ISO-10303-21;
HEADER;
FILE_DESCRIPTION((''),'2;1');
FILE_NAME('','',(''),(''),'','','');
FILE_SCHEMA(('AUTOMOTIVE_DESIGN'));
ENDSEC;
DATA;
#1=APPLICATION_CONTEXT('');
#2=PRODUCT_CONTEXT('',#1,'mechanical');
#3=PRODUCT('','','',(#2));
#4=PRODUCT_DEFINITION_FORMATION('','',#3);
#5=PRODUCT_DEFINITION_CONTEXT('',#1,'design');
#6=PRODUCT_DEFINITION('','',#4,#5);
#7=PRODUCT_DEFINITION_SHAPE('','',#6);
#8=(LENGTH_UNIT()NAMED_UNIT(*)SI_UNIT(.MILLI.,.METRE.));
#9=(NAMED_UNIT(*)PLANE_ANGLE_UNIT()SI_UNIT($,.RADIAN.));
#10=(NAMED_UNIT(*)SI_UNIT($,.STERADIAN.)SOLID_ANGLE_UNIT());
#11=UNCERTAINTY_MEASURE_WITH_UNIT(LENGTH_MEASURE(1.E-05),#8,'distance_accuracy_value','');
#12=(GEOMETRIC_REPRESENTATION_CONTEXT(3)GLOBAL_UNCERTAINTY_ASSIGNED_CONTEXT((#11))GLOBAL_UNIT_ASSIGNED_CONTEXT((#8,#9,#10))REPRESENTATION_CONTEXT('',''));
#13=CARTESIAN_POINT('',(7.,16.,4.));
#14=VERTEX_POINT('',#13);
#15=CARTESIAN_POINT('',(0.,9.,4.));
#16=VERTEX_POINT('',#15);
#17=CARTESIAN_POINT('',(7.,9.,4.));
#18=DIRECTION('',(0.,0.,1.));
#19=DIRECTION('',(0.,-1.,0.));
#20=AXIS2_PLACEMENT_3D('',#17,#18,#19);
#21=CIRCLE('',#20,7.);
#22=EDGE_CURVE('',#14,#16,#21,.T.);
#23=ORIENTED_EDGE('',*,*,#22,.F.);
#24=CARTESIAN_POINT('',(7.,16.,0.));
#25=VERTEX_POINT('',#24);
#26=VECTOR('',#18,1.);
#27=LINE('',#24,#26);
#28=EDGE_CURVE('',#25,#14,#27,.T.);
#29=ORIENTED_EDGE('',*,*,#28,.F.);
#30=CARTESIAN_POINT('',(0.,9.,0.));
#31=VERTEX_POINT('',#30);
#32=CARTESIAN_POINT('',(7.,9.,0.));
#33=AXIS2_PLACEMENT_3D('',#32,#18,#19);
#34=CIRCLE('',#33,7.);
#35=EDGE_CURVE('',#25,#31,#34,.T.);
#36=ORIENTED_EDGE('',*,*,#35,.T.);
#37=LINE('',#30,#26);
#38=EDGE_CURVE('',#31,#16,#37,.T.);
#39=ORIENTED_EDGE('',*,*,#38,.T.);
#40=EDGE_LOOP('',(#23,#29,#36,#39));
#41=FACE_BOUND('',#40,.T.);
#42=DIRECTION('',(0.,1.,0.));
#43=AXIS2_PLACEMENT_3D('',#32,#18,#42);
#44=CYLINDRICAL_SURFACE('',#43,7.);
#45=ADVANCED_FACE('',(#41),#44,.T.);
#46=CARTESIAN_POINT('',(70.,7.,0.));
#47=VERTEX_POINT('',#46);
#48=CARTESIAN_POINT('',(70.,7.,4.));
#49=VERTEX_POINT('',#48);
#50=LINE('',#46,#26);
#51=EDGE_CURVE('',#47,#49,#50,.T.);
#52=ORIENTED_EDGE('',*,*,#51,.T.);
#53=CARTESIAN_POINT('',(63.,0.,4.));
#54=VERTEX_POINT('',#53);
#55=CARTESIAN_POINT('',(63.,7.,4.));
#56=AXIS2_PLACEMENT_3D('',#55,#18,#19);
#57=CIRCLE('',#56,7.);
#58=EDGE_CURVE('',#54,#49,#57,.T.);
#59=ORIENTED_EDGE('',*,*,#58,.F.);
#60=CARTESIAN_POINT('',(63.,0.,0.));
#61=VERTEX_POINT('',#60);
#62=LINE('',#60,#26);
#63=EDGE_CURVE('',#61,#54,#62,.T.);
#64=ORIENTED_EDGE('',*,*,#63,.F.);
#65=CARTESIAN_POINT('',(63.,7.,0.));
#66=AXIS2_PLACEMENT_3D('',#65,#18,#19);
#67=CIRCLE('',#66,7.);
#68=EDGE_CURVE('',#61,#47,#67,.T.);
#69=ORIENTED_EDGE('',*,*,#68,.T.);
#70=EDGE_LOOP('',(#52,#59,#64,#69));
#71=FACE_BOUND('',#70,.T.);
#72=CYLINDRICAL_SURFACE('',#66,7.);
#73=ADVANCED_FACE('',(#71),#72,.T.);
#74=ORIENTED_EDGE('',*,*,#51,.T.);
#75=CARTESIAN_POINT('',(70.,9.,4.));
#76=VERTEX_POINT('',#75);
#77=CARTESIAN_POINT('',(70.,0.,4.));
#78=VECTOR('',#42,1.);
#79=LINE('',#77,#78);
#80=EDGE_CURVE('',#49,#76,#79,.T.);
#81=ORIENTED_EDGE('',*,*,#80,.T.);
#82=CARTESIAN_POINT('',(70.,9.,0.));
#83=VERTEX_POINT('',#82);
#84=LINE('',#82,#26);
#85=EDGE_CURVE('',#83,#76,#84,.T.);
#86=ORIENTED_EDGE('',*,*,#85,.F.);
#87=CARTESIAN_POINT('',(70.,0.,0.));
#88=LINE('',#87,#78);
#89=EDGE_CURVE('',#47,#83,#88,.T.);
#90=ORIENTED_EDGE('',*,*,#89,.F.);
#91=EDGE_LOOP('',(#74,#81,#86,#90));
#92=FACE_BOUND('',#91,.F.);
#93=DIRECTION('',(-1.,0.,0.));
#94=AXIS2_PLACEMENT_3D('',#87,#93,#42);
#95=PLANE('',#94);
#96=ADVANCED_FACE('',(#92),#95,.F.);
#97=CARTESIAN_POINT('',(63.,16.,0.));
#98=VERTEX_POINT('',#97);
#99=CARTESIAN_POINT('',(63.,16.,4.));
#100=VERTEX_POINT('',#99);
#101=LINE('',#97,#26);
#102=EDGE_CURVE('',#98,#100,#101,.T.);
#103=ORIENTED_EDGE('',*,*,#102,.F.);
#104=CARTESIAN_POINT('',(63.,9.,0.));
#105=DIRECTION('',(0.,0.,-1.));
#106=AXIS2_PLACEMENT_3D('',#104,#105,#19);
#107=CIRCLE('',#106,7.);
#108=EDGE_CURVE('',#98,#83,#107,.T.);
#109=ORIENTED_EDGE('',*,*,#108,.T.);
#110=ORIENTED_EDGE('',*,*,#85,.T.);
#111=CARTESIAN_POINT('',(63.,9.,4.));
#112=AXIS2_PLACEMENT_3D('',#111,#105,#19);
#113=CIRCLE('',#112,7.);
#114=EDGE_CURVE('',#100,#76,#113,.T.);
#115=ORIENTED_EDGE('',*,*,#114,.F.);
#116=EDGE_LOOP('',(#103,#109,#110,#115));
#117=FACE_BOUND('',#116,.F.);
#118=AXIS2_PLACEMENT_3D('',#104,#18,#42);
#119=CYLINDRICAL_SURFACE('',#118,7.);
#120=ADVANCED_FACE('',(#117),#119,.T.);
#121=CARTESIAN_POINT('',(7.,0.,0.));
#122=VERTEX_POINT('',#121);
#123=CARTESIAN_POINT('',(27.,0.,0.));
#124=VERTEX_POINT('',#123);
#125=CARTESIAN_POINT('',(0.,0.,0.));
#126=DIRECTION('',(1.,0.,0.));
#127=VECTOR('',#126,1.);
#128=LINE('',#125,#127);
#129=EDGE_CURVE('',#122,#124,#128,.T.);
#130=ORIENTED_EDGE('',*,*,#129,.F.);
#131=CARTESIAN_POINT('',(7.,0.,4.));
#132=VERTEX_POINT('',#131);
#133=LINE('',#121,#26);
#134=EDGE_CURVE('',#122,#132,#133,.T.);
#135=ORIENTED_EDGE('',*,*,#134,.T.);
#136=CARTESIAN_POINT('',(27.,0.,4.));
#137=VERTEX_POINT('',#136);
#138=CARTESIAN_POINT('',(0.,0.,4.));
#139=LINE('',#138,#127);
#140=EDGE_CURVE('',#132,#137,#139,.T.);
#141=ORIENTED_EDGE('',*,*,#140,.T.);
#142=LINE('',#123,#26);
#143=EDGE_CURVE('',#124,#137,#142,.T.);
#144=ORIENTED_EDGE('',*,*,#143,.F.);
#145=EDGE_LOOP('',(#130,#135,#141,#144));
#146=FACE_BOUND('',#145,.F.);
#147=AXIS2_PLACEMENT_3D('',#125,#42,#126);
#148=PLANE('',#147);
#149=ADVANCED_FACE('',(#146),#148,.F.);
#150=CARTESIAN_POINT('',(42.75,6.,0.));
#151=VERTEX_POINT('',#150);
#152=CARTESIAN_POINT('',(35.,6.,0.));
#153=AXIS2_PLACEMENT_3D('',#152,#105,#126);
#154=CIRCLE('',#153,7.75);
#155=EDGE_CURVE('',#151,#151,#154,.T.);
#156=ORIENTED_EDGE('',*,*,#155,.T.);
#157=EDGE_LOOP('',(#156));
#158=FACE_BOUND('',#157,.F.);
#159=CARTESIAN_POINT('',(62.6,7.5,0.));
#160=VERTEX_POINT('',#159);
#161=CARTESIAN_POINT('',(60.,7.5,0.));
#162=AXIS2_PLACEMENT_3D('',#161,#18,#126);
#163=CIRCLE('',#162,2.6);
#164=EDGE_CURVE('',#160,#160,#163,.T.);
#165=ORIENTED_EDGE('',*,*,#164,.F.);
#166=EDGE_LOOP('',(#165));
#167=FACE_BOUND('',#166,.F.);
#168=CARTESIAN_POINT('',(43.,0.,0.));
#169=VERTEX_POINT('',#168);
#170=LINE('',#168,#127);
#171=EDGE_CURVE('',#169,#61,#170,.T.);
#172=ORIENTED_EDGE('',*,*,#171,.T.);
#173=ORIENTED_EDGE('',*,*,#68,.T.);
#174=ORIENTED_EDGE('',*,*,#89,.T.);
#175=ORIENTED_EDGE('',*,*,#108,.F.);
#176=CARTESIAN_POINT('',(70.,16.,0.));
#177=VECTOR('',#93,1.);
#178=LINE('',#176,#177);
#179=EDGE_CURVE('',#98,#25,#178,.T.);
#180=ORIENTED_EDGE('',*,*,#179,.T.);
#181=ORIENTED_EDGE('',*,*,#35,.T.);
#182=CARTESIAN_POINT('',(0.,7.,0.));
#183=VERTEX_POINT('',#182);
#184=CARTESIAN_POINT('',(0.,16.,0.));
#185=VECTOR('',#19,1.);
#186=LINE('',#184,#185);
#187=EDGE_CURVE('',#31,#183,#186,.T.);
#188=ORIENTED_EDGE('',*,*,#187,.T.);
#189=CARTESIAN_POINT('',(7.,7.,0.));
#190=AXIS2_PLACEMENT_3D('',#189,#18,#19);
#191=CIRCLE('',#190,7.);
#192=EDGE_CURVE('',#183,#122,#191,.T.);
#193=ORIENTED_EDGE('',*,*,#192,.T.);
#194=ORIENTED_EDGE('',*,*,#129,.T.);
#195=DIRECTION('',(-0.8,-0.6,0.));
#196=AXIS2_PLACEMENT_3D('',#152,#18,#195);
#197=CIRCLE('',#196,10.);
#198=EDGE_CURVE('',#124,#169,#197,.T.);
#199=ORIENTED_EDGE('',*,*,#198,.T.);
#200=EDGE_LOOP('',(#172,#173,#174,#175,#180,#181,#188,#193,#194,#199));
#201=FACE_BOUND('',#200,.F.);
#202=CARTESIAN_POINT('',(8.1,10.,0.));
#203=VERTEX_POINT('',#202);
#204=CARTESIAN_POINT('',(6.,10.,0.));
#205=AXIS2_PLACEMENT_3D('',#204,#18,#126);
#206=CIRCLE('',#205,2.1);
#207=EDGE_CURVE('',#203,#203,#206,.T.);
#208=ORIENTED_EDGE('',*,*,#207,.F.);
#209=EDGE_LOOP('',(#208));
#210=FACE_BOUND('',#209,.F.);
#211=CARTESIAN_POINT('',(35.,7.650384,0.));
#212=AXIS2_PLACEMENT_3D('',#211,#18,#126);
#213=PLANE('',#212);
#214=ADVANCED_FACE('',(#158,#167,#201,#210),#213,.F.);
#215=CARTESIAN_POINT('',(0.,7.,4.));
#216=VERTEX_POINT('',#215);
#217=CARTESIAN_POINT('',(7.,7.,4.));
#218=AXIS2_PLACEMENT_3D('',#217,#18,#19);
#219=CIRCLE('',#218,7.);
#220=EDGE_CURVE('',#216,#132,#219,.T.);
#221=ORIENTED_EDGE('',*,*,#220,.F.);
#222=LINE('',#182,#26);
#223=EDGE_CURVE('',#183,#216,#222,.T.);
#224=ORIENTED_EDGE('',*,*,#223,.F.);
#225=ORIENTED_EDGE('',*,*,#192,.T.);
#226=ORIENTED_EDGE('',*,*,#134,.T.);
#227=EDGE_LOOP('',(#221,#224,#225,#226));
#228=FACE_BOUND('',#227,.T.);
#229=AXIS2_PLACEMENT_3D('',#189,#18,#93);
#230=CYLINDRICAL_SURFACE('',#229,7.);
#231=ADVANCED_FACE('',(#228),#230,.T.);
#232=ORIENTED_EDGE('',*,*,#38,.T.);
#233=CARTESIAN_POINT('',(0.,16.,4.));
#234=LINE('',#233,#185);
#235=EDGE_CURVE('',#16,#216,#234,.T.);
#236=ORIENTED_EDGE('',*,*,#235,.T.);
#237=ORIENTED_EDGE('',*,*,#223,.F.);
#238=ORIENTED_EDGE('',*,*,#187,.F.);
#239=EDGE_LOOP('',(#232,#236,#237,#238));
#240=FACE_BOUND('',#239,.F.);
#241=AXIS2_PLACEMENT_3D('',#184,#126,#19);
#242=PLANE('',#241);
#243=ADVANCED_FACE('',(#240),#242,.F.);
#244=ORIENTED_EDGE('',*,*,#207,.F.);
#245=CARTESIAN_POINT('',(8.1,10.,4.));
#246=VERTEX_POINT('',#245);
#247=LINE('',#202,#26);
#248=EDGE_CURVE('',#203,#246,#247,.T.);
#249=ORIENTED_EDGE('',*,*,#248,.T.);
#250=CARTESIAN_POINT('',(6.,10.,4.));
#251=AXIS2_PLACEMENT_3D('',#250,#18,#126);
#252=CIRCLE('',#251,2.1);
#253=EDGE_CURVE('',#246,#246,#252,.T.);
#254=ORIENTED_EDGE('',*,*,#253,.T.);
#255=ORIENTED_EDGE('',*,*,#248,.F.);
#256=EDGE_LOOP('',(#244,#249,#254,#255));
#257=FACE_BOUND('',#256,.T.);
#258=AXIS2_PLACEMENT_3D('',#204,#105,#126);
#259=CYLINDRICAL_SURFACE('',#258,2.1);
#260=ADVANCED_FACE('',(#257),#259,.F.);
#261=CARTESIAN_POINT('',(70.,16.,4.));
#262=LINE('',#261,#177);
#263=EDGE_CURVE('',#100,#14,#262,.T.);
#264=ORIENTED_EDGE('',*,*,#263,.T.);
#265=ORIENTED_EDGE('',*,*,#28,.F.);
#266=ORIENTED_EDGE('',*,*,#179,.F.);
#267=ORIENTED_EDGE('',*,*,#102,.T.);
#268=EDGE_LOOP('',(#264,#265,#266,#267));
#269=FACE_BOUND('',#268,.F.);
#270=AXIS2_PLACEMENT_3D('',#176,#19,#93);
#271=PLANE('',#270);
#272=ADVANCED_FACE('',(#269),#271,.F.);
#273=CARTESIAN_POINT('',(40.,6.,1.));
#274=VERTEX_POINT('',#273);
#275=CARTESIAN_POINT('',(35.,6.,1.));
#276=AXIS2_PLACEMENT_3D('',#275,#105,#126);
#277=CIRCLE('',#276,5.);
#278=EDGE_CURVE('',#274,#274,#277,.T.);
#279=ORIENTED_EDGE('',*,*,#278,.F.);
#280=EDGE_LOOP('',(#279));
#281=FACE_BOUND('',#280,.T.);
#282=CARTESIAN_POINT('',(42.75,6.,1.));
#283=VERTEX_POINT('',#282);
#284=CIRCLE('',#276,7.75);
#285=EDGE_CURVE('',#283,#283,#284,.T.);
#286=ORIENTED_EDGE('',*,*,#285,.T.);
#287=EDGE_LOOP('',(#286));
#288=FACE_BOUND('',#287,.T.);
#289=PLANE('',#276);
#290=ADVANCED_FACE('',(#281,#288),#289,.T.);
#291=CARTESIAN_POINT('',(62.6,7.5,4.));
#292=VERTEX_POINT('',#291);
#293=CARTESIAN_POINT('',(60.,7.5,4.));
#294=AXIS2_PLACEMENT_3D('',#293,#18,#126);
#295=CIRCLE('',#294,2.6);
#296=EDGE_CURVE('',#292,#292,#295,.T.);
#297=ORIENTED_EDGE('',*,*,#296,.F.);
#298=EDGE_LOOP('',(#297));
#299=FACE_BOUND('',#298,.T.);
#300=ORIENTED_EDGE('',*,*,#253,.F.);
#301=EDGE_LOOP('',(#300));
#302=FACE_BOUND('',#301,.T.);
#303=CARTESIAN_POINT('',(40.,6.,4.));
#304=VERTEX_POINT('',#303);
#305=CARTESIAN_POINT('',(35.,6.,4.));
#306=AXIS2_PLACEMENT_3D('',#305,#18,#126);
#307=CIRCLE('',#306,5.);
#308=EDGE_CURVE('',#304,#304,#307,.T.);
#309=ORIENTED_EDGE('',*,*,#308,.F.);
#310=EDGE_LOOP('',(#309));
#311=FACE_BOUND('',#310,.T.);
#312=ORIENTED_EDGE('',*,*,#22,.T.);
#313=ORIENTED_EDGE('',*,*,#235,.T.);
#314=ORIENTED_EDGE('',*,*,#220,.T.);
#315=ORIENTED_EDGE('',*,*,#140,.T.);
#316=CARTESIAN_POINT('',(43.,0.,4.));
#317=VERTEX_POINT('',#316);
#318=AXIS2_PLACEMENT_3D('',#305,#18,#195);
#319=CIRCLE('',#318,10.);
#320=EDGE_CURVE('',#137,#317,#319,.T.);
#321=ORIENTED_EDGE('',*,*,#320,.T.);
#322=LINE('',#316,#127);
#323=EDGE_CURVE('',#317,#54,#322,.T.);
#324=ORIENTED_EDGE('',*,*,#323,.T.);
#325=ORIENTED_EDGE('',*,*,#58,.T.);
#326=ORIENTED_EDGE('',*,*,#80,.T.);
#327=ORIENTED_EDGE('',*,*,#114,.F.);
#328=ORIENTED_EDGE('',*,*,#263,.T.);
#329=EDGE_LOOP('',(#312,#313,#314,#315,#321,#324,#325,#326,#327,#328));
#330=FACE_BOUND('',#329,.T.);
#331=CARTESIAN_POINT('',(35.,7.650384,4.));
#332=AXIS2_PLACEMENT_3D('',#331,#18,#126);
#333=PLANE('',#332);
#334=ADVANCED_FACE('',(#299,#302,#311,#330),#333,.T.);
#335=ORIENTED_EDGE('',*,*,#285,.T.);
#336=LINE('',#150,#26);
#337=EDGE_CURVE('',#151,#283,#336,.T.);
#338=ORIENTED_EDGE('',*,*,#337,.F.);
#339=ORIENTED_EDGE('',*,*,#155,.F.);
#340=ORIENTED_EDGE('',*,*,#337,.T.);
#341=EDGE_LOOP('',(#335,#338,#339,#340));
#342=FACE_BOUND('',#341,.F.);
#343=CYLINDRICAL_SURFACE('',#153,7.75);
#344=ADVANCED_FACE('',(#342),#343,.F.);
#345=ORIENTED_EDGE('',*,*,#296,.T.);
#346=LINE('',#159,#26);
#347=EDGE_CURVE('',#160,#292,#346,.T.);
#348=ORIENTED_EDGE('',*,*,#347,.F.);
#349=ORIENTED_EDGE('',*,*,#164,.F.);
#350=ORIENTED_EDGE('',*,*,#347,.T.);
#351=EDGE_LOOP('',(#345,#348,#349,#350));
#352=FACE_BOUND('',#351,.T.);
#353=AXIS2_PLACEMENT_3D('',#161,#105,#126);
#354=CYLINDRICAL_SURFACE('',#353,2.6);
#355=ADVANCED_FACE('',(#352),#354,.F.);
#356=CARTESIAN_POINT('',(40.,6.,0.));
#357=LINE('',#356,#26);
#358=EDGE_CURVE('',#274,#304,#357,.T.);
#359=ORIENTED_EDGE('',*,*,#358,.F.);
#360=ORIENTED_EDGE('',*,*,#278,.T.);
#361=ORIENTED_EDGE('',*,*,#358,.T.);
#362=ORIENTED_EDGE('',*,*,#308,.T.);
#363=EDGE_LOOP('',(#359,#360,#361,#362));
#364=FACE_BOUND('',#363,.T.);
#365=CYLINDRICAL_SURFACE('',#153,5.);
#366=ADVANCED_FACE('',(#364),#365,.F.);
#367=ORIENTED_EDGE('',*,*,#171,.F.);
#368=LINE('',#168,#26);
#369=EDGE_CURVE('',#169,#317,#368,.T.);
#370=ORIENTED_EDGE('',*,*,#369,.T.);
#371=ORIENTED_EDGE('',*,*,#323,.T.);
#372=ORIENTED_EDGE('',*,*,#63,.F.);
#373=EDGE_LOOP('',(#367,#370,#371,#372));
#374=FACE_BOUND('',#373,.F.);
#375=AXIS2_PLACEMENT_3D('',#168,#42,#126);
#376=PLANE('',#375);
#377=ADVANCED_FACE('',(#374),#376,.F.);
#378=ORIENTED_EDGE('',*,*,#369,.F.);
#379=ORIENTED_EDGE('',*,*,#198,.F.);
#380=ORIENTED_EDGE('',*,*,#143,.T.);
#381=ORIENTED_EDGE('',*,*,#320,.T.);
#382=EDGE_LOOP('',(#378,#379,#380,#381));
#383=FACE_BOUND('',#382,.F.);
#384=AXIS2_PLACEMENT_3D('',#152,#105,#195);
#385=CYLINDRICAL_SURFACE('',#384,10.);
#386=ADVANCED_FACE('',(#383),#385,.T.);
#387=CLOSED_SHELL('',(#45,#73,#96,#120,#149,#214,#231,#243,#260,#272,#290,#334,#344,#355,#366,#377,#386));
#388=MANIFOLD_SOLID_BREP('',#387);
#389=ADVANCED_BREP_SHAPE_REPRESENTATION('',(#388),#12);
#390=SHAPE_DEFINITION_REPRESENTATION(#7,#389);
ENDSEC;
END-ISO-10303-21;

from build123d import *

# Parameters (mm, degrees)
SKETCH_R     = 2.1
SKETCH_R_2   = 5
SKETCH_R_3   = 2.6
PAD_DEPTH    = 4
FILLET_R     = 7
FILLET001_R  = 7
SKETCH001_R  = 7.75
POCKET_DEPTH = 1


with BuildPart() as part:
    # Sketch → Pad (new body)
    with BuildSketch(Plane.XY):
        with BuildLine():
            Line((0, 0), (27, 0))
            ThreePointArc((27, 0), (35, -4), (43, 0))
            Line((43, 0), (70, 0))
            Line((70, 0), (70, 16))
            Line((70, 16), (0, 16))
            Line((0, 16), (0, 0))
        make_face()
        with Locations((6, 10)):
            Circle(SKETCH_R, mode=Mode.SUBTRACT)
        with Locations((35, 6)):
            Circle(SKETCH_R_2, mode=Mode.SUBTRACT)
        with Locations((60, 7.5)):
            Circle(SKETCH_R_3, mode=Mode.SUBTRACT)
    extrude(amount=PAD_DEPTH)

    # Fillet
    fillet_edges = [part.edges().sort_by_distance(p)[0] for p in [
        (70, 0, 2),
        (70, 16, 2),
    ]]
    fillet(fillet_edges, radius=FILLET_R)

    # Fillet001
    fillet001_edges = [part.edges().sort_by_distance(p)[0] for p in [
        (0, 0, 2),
        (0, 16, 2),
    ]]
    fillet(fillet001_edges, radius=FILLET001_R)

    # Sketch001 (on Face1 of Fillet001) → Pocket (cut)
    with BuildSketch(Plane(origin=(0, 0, 0), x_dir=(1, 0, 0), z_dir=(0, 0, -1))):
        with Locations((35, -6)):
            Circle(SKETCH001_R)
    extrude(amount=-POCKET_DEPTH, mode=Mode.SUBTRACT)


solid = part.part
